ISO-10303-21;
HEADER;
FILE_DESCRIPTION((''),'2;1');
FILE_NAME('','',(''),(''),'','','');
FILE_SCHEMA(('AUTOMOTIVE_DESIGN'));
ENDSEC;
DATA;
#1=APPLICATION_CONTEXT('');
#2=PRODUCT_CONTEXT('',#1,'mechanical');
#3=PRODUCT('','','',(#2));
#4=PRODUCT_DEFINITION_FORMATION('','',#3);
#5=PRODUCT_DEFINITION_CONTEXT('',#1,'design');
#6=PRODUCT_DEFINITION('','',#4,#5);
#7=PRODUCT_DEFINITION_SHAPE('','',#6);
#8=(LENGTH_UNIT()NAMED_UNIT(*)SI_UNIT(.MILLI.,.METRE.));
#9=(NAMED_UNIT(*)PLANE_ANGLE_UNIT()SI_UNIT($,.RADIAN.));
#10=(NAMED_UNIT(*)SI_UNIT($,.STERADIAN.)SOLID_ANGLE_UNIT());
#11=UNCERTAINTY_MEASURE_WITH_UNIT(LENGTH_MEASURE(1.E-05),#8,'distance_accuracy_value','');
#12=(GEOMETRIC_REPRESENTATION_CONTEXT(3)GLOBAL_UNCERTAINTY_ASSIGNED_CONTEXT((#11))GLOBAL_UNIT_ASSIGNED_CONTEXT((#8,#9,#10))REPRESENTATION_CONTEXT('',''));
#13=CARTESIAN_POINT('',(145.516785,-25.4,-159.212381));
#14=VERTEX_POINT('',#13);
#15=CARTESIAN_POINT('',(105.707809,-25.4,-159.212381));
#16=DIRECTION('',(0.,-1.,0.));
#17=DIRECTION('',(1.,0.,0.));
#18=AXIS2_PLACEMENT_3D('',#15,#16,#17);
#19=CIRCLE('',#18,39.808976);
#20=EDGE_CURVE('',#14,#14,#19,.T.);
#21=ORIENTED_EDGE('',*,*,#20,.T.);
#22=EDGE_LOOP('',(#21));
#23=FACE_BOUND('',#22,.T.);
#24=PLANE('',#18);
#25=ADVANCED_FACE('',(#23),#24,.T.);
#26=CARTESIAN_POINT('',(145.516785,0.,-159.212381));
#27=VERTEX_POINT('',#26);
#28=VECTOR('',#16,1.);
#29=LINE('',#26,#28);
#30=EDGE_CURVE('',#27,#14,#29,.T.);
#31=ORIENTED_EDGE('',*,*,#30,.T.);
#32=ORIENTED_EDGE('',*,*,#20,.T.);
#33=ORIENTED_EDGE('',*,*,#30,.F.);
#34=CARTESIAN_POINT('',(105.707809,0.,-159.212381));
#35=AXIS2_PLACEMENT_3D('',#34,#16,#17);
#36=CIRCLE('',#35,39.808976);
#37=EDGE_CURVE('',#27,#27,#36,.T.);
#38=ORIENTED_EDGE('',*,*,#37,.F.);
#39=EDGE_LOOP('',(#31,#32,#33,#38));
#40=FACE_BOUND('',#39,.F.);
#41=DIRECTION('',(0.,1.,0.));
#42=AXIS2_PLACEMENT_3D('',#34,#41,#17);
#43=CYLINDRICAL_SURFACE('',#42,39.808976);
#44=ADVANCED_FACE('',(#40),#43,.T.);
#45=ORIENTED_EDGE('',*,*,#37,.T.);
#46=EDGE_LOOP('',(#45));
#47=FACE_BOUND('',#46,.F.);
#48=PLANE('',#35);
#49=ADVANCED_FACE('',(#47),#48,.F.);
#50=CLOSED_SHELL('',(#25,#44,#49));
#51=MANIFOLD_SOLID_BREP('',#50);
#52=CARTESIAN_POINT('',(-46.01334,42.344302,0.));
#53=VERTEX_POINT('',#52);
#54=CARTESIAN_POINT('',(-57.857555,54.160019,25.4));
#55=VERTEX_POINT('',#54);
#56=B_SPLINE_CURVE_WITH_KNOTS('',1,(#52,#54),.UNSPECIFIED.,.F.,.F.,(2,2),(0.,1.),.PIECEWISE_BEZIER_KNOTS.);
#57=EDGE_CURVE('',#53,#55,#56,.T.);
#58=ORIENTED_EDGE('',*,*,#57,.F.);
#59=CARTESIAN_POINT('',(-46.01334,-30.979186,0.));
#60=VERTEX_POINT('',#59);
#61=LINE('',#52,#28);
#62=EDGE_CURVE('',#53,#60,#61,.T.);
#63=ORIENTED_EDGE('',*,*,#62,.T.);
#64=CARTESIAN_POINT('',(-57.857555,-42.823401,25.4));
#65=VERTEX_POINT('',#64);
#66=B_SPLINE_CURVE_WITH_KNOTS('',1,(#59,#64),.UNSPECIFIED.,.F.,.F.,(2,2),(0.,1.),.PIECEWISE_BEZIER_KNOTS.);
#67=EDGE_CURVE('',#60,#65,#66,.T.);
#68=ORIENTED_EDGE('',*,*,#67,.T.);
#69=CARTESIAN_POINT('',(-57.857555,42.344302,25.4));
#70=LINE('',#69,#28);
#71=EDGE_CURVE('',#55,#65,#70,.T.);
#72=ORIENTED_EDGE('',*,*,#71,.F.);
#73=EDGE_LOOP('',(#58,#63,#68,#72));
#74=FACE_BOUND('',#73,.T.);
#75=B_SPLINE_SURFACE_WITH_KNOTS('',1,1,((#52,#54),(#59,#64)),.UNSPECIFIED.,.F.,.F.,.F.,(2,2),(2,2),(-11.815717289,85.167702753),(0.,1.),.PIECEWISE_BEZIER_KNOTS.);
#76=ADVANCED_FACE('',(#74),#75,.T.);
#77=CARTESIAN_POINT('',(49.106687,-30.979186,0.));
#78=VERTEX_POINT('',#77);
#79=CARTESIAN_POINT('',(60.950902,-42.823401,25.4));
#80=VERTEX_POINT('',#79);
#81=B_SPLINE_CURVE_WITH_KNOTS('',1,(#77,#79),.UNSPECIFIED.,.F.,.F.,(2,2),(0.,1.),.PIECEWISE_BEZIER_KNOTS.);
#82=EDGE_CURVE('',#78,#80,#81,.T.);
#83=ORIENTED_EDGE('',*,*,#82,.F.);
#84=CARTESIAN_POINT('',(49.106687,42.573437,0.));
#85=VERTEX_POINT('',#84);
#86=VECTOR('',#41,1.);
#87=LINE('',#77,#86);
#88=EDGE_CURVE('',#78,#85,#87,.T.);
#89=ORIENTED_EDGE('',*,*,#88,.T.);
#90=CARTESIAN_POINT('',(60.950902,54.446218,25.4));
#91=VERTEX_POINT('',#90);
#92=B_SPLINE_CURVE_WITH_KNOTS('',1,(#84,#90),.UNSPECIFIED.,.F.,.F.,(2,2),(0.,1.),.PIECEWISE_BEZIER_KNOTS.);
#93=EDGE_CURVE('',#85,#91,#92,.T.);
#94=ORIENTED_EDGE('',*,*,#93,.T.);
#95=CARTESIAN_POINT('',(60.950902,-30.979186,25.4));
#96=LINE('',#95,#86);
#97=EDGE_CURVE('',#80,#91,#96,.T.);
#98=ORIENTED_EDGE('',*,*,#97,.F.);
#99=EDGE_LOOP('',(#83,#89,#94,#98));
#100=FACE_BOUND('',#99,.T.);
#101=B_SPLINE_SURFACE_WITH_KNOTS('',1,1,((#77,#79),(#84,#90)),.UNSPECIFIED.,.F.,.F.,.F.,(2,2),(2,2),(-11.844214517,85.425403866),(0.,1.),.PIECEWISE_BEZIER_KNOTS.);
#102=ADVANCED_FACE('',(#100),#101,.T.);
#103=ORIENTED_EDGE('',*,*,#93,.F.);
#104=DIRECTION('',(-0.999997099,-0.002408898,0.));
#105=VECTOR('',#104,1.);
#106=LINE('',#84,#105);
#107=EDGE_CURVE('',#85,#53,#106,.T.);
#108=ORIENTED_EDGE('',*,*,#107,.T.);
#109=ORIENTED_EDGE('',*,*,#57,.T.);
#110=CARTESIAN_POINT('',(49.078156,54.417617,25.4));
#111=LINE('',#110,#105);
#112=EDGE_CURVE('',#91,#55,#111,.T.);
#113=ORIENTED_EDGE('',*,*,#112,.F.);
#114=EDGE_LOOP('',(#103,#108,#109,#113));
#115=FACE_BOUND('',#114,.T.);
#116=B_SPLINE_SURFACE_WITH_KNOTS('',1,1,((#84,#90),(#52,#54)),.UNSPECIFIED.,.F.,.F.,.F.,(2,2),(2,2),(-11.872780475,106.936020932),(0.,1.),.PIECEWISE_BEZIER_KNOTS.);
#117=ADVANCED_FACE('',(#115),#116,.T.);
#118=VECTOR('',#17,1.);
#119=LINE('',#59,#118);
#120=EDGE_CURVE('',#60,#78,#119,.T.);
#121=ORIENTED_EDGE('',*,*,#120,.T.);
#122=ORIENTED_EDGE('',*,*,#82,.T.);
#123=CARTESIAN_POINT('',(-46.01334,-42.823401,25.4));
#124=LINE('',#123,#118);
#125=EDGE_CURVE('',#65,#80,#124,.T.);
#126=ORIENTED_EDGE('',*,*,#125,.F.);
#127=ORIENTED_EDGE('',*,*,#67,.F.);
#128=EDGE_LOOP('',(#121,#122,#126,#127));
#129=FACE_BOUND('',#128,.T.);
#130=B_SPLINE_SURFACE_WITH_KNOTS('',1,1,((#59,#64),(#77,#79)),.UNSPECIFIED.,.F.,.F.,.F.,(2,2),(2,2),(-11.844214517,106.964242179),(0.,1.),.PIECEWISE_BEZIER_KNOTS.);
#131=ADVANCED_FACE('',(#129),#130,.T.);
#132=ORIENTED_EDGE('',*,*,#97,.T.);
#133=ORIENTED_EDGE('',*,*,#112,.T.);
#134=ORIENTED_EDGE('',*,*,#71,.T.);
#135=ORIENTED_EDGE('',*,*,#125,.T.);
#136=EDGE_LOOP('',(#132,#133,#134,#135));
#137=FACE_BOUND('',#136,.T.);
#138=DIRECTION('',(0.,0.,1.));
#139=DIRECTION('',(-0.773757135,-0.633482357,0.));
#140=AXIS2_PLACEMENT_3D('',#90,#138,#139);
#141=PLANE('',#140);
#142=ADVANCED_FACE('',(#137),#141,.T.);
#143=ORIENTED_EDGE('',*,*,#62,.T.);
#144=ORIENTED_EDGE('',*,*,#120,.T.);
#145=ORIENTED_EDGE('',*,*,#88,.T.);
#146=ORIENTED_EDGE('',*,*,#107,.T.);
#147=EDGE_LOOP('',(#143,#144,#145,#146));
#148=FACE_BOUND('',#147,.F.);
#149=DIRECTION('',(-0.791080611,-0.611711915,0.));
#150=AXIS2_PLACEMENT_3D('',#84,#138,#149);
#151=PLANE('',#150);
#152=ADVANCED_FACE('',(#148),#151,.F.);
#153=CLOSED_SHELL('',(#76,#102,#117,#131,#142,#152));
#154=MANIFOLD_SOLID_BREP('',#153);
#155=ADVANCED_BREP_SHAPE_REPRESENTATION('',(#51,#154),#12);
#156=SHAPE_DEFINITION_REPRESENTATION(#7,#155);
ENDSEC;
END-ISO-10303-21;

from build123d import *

# Parameters (mm, degrees)
F1_DEPTH = 25.4
F1_TAPER = -25
F2_R     = 39.808975919
F3_DEPTH = 25.4


with BuildPart() as f1:
    # F0 (on Top) → F1 (new body)
    with BuildSketch(Plane.XY):
        Polygon((49.1066873074, 42.5734370947), (-46.013340354, 42.344301939), (-46.013340354, -30.9791862965), (49.1066873074, -30.9791862965), align=None)
    extrude(amount=F1_DEPTH, taper=F1_TAPER)


with BuildPart() as f3:
    # F2 (on Front) → F3 (new body)
    with BuildSketch(Plane.XZ):
        with Locations((105.707809329, -159.2123806477)):
            Circle(F2_R)
    extrude(amount=F3_DEPTH)


solid = Compound([f1.part, f3.part])
